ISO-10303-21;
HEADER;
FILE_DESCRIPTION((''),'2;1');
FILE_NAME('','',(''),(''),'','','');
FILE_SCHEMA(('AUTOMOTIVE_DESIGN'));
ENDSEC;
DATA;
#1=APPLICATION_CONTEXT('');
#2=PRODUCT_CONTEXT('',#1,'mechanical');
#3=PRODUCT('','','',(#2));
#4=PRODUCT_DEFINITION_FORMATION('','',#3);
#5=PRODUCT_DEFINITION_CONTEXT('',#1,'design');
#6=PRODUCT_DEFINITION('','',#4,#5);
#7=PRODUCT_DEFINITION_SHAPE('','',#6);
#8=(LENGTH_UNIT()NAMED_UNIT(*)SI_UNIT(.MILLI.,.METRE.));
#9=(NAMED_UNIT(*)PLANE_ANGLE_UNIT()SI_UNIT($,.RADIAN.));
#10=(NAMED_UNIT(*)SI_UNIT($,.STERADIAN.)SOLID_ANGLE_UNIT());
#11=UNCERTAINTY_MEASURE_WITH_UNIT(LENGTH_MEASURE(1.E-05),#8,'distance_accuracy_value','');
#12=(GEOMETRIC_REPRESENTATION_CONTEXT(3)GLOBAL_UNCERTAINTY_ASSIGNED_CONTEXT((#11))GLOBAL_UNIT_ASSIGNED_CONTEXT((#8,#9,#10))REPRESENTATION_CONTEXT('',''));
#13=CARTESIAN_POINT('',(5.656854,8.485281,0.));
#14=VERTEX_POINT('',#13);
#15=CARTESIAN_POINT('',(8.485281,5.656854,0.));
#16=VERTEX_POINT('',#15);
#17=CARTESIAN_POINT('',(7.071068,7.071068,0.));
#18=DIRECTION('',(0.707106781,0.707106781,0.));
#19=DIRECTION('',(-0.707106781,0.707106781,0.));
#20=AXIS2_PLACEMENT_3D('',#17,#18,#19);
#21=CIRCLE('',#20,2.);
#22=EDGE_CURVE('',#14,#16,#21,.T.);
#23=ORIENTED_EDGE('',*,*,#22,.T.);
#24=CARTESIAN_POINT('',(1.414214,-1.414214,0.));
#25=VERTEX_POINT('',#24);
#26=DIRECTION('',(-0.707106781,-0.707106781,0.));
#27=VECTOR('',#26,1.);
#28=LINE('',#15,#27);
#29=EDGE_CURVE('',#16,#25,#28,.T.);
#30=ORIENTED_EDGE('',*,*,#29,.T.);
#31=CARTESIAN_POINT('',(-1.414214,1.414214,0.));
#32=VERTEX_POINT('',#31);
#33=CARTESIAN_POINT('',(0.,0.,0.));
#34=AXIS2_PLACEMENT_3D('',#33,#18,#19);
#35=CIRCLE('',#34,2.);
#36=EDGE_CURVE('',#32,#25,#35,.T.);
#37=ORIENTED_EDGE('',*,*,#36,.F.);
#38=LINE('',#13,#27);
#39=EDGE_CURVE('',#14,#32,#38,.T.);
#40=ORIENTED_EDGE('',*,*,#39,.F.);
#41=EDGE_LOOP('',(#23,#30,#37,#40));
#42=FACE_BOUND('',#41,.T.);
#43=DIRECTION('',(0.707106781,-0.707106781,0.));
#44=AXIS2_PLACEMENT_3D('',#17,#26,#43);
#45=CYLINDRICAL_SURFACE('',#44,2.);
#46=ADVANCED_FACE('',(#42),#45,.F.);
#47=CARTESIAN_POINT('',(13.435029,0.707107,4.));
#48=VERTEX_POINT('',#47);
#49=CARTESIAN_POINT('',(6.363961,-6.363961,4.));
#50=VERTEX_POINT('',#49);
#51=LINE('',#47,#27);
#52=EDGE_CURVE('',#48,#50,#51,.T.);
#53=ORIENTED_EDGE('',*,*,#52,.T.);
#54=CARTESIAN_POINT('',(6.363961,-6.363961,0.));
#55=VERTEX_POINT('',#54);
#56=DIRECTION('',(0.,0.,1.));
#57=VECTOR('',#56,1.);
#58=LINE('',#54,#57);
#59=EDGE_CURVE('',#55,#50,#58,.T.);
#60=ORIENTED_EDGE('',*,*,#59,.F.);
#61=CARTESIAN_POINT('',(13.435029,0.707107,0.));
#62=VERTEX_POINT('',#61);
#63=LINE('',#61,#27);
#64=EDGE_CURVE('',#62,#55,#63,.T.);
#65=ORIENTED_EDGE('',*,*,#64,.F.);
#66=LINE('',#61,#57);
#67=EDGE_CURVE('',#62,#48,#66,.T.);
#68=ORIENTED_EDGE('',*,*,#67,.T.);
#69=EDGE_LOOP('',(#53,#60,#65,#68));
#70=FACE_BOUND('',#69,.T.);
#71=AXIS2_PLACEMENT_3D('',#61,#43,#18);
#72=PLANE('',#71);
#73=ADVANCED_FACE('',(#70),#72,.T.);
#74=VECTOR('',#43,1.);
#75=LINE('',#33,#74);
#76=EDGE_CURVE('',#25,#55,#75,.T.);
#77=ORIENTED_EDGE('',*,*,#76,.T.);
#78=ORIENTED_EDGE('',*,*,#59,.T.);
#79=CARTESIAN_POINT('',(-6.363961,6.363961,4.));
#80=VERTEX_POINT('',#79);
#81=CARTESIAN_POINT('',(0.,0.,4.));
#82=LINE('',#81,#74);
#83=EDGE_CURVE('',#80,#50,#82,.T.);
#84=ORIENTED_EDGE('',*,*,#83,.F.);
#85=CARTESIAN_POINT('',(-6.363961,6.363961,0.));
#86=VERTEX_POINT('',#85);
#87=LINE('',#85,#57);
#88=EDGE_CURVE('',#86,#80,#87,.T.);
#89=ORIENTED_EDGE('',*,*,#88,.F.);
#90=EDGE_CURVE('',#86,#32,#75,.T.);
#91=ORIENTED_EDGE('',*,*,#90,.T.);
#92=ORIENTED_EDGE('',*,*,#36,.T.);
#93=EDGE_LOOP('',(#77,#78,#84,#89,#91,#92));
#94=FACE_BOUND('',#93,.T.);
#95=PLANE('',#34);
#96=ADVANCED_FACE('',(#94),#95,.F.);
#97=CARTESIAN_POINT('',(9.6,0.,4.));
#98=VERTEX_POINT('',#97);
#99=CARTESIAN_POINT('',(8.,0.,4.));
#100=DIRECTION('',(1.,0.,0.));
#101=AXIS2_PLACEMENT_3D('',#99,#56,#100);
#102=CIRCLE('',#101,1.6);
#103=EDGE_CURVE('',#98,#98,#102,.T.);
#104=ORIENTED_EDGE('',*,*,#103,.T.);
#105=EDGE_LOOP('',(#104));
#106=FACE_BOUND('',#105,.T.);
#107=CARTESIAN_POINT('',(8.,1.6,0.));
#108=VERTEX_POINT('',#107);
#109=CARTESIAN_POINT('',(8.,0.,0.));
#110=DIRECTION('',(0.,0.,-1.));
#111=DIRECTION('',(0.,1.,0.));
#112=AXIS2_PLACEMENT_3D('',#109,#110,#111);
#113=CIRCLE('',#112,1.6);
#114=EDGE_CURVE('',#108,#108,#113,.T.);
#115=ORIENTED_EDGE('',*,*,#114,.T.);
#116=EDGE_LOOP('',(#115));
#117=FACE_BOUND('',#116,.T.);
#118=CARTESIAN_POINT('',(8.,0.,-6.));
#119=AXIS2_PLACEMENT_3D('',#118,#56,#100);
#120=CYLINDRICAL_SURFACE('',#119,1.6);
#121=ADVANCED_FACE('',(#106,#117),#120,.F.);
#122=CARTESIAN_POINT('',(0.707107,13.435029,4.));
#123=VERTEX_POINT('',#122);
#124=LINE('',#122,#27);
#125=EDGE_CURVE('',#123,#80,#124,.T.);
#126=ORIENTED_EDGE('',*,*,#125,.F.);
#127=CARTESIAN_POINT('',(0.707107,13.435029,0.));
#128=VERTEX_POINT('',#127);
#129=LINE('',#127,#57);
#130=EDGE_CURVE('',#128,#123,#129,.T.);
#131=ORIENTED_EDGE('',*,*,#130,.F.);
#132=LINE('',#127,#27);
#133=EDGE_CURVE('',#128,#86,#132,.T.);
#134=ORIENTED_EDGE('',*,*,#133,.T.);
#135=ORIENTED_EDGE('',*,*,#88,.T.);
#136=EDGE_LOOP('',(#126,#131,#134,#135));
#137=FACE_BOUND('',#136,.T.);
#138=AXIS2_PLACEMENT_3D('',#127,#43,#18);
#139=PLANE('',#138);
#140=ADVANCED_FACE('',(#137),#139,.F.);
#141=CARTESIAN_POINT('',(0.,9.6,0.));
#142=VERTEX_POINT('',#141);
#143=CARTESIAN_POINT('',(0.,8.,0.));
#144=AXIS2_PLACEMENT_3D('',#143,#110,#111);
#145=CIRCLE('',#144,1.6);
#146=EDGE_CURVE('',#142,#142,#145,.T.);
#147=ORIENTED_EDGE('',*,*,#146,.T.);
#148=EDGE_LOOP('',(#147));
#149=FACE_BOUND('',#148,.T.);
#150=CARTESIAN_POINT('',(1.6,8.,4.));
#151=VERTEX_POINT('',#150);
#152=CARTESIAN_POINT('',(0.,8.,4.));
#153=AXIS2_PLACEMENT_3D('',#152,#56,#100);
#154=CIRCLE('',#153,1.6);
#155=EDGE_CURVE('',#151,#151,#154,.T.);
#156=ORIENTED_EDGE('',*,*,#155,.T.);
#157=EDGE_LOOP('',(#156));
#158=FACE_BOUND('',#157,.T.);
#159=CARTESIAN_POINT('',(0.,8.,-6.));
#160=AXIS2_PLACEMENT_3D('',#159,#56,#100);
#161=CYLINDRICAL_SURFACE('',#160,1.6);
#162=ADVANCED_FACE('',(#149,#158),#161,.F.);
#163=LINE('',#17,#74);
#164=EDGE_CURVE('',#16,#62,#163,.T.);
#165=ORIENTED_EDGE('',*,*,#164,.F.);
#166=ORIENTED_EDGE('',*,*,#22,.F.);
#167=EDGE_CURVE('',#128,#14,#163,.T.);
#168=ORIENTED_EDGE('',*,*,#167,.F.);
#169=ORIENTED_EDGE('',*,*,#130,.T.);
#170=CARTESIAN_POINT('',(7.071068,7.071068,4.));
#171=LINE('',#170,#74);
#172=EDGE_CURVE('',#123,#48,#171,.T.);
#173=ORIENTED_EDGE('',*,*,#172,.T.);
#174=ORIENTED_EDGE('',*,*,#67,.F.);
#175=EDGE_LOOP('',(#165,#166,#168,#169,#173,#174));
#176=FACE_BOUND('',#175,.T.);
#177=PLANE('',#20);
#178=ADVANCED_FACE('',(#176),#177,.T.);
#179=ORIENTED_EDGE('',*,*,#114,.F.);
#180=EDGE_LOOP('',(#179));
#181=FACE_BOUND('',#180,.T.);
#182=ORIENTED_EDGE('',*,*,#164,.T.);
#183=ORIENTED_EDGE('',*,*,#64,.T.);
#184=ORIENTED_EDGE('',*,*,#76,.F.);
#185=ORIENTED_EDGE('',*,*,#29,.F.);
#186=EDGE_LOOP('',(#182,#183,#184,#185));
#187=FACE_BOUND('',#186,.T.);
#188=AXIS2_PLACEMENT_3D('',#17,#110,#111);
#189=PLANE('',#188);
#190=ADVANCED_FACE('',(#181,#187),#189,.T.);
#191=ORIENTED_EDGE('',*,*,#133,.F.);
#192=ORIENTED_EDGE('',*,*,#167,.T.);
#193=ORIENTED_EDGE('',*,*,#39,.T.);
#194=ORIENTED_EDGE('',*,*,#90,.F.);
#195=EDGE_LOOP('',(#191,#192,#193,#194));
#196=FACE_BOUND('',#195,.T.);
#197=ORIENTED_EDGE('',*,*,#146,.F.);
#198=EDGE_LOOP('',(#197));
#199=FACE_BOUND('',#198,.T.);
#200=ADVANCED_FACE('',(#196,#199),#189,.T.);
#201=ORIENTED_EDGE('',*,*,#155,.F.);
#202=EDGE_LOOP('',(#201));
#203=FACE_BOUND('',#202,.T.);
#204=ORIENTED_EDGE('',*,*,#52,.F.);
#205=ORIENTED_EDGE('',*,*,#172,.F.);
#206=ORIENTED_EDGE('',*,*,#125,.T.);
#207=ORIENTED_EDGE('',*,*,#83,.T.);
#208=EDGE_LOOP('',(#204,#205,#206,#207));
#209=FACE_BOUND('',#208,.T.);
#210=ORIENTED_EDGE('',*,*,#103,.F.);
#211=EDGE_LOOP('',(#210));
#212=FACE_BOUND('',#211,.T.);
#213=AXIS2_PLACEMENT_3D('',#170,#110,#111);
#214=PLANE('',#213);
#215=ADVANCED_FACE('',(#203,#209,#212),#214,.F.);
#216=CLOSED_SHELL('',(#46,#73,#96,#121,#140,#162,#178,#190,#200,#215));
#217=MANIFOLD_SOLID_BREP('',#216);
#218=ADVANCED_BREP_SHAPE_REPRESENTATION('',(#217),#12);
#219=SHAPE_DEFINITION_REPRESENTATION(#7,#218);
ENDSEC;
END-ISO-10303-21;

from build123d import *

# Parameters (mm, degrees)
EXTRUDE_1_DEPTH     = 10
SKETCH_4_R          = 1.6
CUT_EXTRUDE_1_DEPTH = 10


with BuildPart() as part:
    # 草图3 → 凸台-拉伸1 (new body)
    with BuildSketch(Plane(origin=(0, 0, 0), x_dir=(0, 0, -1), z_dir=(0.7071067811865488, 0.7071067811865464, 0))):
        with BuildLine():
            Line((0, 2), (0, 9))
            Line((0, 9), (-4, 9))
            Line((-4, 9), (-4, -9))
            Line((-4, -9), (0, -9))
            Line((0, -9), (0, -2))
            ThreePointArc((0, -2), (-2, 0), (0, 2))
        make_face()
    extrude(amount=EXTRUDE_1_DEPTH)

    # 草图4 → 切除-拉伸1 (cut)
    with BuildSketch(Plane.XY.offset(4)):
        with Locations((0, 8)):
            Circle(SKETCH_4_R)
        with Locations((8, 0)):
            Circle(SKETCH_4_R)
    extrude(amount=-CUT_EXTRUDE_1_DEPTH, mode=Mode.SUBTRACT)


solid = part.part
